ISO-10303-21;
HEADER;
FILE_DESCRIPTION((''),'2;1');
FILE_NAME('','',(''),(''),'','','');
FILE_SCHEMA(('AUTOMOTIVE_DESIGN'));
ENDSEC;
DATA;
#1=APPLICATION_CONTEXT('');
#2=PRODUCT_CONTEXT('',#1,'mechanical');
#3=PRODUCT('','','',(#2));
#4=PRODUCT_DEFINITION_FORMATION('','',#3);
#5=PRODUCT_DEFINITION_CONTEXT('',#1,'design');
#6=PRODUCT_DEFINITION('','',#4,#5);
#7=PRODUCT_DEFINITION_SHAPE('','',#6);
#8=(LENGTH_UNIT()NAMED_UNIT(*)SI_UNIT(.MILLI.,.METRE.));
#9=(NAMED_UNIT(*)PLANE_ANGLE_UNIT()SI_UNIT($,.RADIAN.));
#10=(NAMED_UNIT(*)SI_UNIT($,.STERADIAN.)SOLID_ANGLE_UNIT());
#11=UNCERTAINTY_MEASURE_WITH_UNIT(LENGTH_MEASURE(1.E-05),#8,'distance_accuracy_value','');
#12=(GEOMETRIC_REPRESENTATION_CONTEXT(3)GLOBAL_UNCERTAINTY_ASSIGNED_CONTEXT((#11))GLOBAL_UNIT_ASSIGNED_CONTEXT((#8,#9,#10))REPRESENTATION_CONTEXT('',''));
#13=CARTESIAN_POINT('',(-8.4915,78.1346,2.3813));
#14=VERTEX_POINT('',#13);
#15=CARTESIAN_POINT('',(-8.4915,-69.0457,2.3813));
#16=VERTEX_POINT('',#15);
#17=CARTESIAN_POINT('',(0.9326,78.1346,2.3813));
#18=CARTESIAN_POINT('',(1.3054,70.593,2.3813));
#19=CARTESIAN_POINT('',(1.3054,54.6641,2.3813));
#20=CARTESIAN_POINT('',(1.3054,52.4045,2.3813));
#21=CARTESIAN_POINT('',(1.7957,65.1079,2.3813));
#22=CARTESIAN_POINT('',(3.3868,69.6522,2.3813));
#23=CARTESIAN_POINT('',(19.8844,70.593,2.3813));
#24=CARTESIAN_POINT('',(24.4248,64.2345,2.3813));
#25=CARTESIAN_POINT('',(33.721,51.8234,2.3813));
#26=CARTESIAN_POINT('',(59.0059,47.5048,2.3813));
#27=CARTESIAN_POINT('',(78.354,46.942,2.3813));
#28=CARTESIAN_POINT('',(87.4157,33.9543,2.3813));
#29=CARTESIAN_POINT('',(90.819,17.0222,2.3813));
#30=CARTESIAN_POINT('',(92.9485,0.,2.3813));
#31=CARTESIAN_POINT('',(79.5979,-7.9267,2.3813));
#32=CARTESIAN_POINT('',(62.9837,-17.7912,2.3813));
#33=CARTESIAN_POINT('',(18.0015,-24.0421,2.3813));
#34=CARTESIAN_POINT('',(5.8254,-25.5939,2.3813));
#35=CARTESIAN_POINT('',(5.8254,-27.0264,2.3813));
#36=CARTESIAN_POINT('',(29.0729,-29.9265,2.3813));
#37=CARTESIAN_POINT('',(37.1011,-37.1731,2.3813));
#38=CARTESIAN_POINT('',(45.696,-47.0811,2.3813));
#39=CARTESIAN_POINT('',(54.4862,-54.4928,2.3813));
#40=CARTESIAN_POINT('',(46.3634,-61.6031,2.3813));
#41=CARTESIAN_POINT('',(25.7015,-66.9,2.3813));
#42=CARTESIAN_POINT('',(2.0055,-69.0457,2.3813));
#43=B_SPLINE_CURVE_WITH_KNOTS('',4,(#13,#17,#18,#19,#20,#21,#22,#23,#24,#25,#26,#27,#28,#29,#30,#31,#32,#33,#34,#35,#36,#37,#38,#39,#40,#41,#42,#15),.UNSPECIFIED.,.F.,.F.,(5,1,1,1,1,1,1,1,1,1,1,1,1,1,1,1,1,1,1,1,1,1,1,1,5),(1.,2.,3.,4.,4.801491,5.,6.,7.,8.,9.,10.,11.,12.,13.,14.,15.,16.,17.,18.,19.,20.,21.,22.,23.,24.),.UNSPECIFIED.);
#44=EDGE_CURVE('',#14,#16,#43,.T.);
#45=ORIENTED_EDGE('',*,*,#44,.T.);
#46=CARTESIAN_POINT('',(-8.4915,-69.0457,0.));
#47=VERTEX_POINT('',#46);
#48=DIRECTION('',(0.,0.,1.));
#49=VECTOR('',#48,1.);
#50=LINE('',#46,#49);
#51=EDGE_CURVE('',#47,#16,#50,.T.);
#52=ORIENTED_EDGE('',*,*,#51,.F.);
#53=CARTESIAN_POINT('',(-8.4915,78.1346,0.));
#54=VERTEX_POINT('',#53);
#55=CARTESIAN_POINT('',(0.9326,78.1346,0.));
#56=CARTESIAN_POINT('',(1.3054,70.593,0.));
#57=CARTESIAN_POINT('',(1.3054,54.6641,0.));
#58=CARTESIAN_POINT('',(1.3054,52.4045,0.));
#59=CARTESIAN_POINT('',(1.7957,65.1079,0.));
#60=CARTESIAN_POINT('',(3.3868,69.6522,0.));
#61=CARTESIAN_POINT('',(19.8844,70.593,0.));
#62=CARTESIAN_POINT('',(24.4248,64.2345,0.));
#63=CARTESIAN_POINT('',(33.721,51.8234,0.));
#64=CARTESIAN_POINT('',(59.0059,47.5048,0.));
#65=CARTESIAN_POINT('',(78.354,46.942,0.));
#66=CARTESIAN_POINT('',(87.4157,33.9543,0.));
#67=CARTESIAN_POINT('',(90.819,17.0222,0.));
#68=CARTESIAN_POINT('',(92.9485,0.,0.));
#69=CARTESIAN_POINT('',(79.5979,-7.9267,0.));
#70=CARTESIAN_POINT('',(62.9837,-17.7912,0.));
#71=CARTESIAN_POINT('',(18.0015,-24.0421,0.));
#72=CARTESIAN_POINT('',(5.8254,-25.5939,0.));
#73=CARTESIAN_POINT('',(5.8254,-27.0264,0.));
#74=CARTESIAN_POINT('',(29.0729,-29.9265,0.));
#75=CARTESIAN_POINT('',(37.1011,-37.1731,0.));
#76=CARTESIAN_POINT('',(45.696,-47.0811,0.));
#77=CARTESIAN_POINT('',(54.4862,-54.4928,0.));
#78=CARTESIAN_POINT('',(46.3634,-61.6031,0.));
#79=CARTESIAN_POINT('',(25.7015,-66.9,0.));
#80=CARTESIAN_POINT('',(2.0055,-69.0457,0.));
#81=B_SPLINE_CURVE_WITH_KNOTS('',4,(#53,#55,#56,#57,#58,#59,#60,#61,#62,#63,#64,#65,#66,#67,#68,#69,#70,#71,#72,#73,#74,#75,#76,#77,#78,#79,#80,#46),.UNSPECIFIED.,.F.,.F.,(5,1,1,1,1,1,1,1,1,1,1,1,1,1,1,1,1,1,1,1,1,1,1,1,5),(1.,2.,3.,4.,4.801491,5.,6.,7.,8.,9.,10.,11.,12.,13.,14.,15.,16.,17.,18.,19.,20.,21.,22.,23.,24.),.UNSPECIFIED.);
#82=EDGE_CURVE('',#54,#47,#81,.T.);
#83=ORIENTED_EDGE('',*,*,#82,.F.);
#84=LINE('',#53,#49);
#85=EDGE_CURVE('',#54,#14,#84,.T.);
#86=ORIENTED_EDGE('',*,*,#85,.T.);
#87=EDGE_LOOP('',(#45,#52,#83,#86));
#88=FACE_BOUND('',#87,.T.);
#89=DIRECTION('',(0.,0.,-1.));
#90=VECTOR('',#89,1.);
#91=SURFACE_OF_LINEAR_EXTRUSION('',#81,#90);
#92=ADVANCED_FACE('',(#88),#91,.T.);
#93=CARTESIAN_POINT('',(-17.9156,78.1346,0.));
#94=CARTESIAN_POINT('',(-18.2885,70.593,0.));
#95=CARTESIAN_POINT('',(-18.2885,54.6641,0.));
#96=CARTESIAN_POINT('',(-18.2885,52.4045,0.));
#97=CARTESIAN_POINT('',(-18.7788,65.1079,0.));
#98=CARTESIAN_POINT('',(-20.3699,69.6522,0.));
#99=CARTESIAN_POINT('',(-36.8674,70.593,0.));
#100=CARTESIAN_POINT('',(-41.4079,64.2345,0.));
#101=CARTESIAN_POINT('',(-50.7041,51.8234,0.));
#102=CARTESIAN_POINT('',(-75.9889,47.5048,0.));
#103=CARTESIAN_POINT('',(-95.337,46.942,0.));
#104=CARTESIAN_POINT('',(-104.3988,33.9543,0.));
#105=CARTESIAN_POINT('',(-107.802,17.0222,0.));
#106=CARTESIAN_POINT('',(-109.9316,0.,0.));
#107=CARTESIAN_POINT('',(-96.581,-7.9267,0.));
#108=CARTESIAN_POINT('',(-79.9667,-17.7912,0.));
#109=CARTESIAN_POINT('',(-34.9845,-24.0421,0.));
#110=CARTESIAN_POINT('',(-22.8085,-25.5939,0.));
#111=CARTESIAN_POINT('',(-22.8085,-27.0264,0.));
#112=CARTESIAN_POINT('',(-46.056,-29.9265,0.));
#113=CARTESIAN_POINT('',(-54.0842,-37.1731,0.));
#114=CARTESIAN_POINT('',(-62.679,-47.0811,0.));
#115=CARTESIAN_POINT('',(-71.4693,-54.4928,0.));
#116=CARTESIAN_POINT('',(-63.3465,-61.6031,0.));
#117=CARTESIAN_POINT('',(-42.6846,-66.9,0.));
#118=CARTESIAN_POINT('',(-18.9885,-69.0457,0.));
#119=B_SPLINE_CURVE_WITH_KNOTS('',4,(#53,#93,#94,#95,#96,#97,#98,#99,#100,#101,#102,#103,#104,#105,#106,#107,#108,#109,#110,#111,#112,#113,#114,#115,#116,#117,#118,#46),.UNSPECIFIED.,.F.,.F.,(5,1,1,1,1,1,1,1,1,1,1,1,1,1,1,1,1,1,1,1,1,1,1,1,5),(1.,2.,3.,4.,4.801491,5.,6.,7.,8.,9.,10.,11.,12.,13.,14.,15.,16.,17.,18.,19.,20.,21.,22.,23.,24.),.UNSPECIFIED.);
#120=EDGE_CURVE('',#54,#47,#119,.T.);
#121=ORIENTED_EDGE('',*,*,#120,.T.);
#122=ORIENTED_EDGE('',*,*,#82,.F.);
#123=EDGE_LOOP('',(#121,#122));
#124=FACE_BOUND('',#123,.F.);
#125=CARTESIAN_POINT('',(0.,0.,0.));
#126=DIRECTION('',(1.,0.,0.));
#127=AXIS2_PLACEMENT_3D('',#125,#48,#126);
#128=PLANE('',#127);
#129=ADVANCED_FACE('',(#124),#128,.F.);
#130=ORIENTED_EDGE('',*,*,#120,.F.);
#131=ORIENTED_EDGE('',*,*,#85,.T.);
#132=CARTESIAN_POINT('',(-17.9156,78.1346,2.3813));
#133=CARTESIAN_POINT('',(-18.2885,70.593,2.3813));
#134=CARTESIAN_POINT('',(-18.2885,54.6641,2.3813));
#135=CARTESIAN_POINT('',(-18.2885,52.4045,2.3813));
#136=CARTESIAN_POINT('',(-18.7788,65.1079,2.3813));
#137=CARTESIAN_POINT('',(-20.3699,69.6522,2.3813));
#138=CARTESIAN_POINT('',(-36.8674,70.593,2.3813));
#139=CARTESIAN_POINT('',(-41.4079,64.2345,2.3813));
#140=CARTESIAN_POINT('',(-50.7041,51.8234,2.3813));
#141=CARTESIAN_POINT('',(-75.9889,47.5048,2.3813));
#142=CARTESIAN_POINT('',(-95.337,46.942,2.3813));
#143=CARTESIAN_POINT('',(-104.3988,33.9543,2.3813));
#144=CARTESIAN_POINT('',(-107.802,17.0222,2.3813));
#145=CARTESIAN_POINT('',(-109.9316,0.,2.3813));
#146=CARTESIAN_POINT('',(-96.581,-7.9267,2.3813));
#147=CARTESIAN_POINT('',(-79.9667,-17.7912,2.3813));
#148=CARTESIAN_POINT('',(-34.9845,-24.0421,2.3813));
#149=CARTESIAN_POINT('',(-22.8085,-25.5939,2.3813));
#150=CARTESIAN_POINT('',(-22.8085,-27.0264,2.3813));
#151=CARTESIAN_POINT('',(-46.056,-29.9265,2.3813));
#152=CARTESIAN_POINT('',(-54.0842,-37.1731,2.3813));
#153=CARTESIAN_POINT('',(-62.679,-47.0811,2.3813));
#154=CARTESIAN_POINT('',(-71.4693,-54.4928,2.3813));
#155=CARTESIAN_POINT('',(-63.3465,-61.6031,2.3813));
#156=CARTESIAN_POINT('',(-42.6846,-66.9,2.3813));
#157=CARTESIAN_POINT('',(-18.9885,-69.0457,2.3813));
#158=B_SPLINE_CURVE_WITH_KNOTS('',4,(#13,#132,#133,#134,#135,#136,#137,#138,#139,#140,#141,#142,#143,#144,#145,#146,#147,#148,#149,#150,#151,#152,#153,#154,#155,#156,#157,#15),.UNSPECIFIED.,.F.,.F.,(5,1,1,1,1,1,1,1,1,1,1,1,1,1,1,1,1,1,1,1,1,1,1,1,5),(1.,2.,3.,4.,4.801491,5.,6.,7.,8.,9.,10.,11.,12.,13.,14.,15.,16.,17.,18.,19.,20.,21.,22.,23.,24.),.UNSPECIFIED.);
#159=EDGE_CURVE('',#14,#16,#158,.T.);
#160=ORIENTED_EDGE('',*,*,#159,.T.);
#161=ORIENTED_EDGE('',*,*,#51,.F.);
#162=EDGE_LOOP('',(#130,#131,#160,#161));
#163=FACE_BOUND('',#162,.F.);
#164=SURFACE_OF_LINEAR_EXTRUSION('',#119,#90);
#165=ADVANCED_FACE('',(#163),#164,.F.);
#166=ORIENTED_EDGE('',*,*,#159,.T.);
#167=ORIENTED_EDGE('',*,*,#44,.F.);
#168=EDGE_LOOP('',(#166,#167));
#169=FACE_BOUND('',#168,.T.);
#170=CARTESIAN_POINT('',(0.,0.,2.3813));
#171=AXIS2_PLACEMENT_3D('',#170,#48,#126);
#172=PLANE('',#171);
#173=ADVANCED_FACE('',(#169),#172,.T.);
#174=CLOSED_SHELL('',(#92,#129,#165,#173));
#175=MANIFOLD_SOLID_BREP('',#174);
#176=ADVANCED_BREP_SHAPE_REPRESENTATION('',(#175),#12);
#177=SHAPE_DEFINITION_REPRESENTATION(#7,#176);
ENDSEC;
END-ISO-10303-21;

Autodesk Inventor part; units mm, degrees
ref_plane "YZ Plane" through (0, 0, 0) normal (1, 0, 0) x (0, 1, 0)
ref_plane "XZ Plane" through (0, 0, 0) normal (0, 1, 0) x (-1, 0, 0)
ref_plane "XY Plane" through (0, 0, 0) normal (0, 0, 1) x (1, 0, 0)
sketch "Sketch1" plane through (0, 0, 0) normal (0, 0, 1) x (1, 0, 0)
  line L0 (-8.4915, 78.1346) -> (0.9326, 78.1346) construction
  line L1 (0.9326, 78.1346) -> (1.3054, 70.593) construction
  line L2 (1.3054, 70.593) -> (1.3054, 54.6641) construction
  line L3 (1.3054, 54.6641) -> (1.3054, 52.4045) construction
  line L4 (19.8844, 70.593) -> (24.4248, 64.2345) construction
  line L5 (24.4248, 64.2345) -> (33.721, 51.8234) construction
  line L6 (33.721, 51.8234) -> (59.0059, 47.5048) construction
  line L7 (59.0059, 47.5048) -> (78.354, 46.942) construction
  line L8 (78.354, 46.942) -> (87.4157, 33.9543) construction
  line L9 (87.4157, 33.9543) -> (90.819, 17.0222) construction
  line L10 (90.819, 17.0222) -> (92.9485, 0) construction
  line L11 (92.9485, 0) -> (79.5979, -7.9267) construction
  line L12 (79.5979, -7.9267) -> (62.9837, -17.7912) construction
  line L13 (62.9837, -17.7912) -> (18.0015, -24.0421) construction
  line L14 (18.0015, -24.0421) -> (5.8254, -25.5939) construction
  line L15 (5.8254, -25.5939) -> (5.8254, -27.0264) construction
  line L16 (5.8254, -27.0264) -> (29.0729, -29.9265) construction
  line L17 (29.0729, -29.9265) -> (37.1011, -37.1731) construction
  line L18 (37.1011, -37.1731) -> (45.696, -47.0811) construction
  line L19 (45.696, -47.0811) -> (54.4862, -54.4928) construction
  line L20 (54.4862, -54.4928) -> (46.3634, -61.6031) construction
  line L21 (46.3634, -61.6031) -> (25.7015, -66.9) construction
  line L22 (25.7015, -66.9) -> (2.0055, -69.0457) construction
  line L23 (2.0055, -69.0457) -> (-8.4915, -69.0457) construction
  spline S0 degree 4 poles (-8.4915, 78.1346) (0.9326, 78.1346) (1.3054, 70.593) (1.3054, 54.6641) (1.3054, 52.4045) (1.7957, 65.1079) (3.3868, 69.6522) (19.8844, 70.593) (24.4248, 64.2345) (33.721, 51.8234) (59.0059, 47.5048) (78.354, 46.942) (87.4157, 33.9543) (90.819, 17.0222) (92.9485, 0) (79.5979, -7.9267) (62.9837, -17.7912) (18.0015, -24.0421) (5.8254, -25.5939) (5.8254, -27.0264) (29.0729, -29.9265) (37.1011, -37.1731) (45.696, -47.0811) (54.4862, -54.4928) (46.3634, -61.6031) (25.7015, -66.9) (2.0055, -69.0457) (-8.4915, -69.0457) knots 1 1 1 1 1 2 3 4 4.801491 5 6 7 8 9 10 11 12 13 14 15 16 17 18 19 20 21 22 23 24 24 24 24 24
  line L24 (1.3054, 52.4045) -> (1.7957, 65.1079) construction
  line L25 (1.7957, 65.1079) -> (3.3868, 69.6522) construction
  line L26 (3.3868, 69.6522) -> (19.8844, 70.593) construction
  line L27 (-8.4915, 78.1346) -> (-8.4915, -69.0457)
  line L28 (-8.4915, 78.1346) -> (-17.9156, 78.1346) construction
  line L29 (-17.9156, 78.1346) -> (-18.2885, 70.593) construction
  line L30 (-18.2885, 70.593) -> (-18.2885, 54.6641) construction
  line L31 (-18.2885, 54.6641) -> (-18.2885, 52.4045) construction
  line L32 (-36.8674, 70.593) -> (-41.4079, 64.2345) construction
  line L33 (-41.4079, 64.2345) -> (-50.7041, 51.8234) construction
  line L34 (-50.7041, 51.8234) -> (-75.9889, 47.5048) construction
  line L35 (-75.9889, 47.5048) -> (-95.337, 46.942) construction
  line L36 (-95.337, 46.942) -> (-104.3988, 33.9543) construction
  line L37 (-104.3988, 33.9543) -> (-107.802, 17.0222) construction
  line L38 (-107.802, 17.0222) -> (-109.9316, 0) construction
  line L39 (-109.9316, 0) -> (-96.581, -7.9267) construction
  line L40 (-96.581, -7.9267) -> (-79.9667, -17.7912) construction
  line L41 (-79.9667, -17.7912) -> (-34.9845, -24.0421) construction
  line L42 (-34.9845, -24.0421) -> (-22.8085, -25.5939) construction
  line L43 (-22.8085, -25.5939) -> (-22.8085, -27.0264) construction
  line L44 (-22.8085, -27.0264) -> (-46.056, -29.9265) construction
  line L45 (-46.056, -29.9265) -> (-54.0842, -37.1731) construction
  line L46 (-54.0842, -37.1731) -> (-62.679, -47.0811) construction
  line L47 (-62.679, -47.0811) -> (-71.4693, -54.4928) construction
  line L48 (-71.4693, -54.4928) -> (-63.3465, -61.6031) construction
  line L49 (-63.3465, -61.6031) -> (-42.6846, -66.9) construction
  line L50 (-42.6846, -66.9) -> (-18.9885, -69.0457) construction
  line L51 (-18.9885, -69.0457) -> (-8.4915, -69.0457) construction
  spline S1 degree 4 poles (-8.4915, 78.1346) (-17.9156, 78.1346) (-18.2885, 70.593) (-18.2885, 54.6641) (-18.2885, 52.4045) (-18.7788, 65.1079) (-20.3699, 69.6522) (-36.8674, 70.593) (-41.4079, 64.2345) (-50.7041, 51.8234) (-75.9889, 47.5048) (-95.337, 46.942) (-104.3988, 33.9543) (-107.802, 17.0222) (-109.9316, 0) (-96.581, -7.9267) (-79.9667, -17.7912) (-34.9845, -24.0421) (-22.8085, -25.5939) (-22.8085, -27.0264) (-46.056, -29.9265) (-54.0842, -37.1731) (-62.679, -47.0811) (-71.4693, -54.4928) (-63.3465, -61.6031) (-42.6846, -66.9) (-18.9885, -69.0457) (-8.4915, -69.0457) knots 1 1 1 1 1 2 3 4 4.801491 5 6 7 8 9 10 11 12 13 14 15 16 17 18 19 20 21 22 23 24 24 24 24 24
  line L52 (-18.2885, 52.4045) -> (-18.7788, 65.1079) construction
  line L53 (-18.7788, 65.1079) -> (-20.3699, 69.6522) construction
  line L54 (-20.3699, 69.6522) -> (-36.8674, 70.593) construction
  point P0 (0, 0)
extrude "Extrusion1" add sketch "Sketch1" along normal blind 2.3813
properties part number "rubberFlatPattern"
